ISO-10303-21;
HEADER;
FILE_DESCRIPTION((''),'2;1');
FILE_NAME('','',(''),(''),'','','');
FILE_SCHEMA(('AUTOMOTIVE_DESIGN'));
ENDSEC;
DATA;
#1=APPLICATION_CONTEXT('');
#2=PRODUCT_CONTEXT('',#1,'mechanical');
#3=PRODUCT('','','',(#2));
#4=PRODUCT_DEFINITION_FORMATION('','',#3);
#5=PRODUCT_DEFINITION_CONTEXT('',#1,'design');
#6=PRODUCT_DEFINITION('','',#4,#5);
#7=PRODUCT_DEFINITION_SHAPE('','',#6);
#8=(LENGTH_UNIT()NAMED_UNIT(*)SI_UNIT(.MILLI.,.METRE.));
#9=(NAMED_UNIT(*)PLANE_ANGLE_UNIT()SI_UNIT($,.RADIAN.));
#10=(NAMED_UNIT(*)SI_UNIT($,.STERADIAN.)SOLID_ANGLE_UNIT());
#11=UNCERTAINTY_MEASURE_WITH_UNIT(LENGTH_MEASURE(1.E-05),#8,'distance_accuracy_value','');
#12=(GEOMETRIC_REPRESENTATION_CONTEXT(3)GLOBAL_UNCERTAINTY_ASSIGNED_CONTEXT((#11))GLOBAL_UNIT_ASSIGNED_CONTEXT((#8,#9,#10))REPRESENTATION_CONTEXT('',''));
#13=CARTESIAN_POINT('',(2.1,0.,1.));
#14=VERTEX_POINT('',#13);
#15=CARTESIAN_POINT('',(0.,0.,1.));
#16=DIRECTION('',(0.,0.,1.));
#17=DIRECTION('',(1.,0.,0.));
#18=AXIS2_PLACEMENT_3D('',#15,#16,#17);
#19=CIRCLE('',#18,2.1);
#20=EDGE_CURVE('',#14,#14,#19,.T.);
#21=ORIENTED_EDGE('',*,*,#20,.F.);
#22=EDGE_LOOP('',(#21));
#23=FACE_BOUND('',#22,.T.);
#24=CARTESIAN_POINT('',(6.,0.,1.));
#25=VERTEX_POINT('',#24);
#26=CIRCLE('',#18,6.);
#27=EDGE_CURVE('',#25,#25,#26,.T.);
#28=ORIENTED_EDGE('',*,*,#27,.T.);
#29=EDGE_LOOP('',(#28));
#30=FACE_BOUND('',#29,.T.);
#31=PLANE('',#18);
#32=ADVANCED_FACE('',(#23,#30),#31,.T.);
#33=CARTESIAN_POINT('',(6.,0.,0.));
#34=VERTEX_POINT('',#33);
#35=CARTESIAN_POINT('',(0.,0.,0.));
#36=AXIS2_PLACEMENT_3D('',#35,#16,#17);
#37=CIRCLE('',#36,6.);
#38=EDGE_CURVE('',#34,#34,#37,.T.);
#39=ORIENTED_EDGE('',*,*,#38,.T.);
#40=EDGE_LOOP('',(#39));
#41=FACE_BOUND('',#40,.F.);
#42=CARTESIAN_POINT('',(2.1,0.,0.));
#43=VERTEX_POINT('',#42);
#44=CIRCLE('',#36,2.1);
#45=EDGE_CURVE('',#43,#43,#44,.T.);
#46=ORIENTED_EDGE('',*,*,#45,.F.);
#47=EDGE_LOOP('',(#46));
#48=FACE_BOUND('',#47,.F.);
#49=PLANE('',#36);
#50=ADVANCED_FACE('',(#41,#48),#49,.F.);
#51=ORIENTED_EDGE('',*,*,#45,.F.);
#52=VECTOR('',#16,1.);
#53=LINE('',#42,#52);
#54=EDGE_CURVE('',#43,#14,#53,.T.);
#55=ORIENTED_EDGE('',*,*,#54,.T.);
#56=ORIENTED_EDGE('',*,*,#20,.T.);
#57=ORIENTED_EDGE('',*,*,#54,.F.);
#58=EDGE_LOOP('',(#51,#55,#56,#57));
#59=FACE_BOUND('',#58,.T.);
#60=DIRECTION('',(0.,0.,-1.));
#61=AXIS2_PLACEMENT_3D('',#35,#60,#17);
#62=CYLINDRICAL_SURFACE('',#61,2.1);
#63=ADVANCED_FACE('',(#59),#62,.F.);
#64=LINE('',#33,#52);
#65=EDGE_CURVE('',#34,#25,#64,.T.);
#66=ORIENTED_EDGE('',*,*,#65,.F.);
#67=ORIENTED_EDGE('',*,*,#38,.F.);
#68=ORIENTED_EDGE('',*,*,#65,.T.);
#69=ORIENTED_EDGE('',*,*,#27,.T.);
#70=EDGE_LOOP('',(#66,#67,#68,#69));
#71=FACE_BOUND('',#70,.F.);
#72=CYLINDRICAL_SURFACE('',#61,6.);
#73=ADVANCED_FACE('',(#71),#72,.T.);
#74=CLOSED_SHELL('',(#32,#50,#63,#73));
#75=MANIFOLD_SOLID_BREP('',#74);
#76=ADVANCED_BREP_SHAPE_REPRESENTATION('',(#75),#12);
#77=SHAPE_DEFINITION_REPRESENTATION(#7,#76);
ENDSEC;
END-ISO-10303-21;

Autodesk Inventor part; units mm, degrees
ref_plane "YZ Plane" through (0, 0, 0) normal (1, 0, 0) x (0, 1, 0)
ref_plane "XZ Plane" through (0, 0, 0) normal (0, 1, 0) x (-1, 0, 0)
ref_plane "XY Plane" through (0, 0, 0) normal (0, 0, 1) x (1, 0, 0)
sketch "スケッチ1" plane through (0, 0, 0) normal (0, 0, 1) x (1, 0, 0)
  circle A0 centre (0, 0) radius 2.1
  circle A1 centre (0, 0) radius 6
  dimension "d0" = 4.2
  dimension "d1" = 12
extrude "押し出し1" add sketch "スケッチ1" along normal blind 1
properties part number "UUW-0412-10BH" material "ステンレス鋼 AISI 304"
